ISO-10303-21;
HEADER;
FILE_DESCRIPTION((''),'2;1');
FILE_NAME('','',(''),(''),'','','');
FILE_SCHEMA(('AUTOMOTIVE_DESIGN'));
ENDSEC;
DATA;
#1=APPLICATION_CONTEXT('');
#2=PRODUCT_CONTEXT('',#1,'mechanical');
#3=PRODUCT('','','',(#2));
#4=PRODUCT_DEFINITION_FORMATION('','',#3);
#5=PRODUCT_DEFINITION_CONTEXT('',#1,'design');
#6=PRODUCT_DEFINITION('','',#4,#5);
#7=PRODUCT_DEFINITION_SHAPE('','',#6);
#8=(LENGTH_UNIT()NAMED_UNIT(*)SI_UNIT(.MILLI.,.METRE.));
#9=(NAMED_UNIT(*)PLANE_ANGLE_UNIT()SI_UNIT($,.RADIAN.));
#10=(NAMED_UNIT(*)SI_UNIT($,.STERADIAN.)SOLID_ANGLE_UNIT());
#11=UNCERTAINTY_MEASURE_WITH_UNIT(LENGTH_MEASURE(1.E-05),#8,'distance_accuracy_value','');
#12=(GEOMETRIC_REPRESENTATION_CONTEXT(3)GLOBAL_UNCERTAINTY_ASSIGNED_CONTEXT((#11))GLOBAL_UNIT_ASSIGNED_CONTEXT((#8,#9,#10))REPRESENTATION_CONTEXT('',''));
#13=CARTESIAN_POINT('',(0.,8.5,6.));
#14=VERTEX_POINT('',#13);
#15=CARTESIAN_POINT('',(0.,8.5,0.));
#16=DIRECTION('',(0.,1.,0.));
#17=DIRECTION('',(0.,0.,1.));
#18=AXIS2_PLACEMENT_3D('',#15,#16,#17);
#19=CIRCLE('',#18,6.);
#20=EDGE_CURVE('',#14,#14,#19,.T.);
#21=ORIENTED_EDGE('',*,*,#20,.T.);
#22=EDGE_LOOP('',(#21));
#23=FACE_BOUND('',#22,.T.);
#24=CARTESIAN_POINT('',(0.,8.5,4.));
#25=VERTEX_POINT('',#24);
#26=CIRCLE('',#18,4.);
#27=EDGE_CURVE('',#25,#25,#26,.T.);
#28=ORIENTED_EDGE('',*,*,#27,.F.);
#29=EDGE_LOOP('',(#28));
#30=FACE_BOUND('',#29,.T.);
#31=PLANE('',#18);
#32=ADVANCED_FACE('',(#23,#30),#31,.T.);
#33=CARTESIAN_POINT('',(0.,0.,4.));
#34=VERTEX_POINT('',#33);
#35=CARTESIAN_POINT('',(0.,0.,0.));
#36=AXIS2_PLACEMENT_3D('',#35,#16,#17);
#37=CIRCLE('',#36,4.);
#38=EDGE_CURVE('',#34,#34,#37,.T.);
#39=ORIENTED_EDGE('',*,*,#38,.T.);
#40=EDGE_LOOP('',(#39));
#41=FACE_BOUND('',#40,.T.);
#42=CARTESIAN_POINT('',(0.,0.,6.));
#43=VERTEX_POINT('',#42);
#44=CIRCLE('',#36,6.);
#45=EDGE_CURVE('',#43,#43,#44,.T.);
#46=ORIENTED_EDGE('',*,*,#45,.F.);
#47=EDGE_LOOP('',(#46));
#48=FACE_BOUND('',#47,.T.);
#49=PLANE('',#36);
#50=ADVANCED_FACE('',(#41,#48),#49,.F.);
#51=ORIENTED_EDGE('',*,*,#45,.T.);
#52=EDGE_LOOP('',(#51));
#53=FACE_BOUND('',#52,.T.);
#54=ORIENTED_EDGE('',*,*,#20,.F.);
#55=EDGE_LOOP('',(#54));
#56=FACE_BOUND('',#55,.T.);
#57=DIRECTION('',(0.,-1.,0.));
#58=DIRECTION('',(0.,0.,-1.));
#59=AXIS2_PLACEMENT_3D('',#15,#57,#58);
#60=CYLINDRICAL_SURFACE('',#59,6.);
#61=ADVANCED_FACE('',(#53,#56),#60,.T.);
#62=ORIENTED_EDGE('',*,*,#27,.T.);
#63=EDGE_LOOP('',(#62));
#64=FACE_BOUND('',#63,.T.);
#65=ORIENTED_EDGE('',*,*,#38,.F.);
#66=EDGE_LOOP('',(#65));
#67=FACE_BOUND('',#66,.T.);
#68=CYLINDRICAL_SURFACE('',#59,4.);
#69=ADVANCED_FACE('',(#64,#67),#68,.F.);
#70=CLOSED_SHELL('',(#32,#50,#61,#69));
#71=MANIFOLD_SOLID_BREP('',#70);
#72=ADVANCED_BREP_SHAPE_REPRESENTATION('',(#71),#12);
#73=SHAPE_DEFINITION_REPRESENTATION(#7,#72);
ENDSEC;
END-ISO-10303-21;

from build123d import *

# Parameters (mm, degrees)
SKETCH1_R           = 6
SKETCH1_R_2         = 4
BOSS_EXTRUDE1_DEPTH = 8.5


with BuildPart() as part:
    # Sketch1 → Boss-Extrude1 (new body)
    with BuildSketch(Plane(origin=(0, 0, 0), x_dir=(1, 0, 0), z_dir=(0, 1, 0))):
        Circle(SKETCH1_R)
        Circle(SKETCH1_R_2, mode=Mode.SUBTRACT)
    extrude(amount=BOSS_EXTRUDE1_DEPTH)


solid = part.part
